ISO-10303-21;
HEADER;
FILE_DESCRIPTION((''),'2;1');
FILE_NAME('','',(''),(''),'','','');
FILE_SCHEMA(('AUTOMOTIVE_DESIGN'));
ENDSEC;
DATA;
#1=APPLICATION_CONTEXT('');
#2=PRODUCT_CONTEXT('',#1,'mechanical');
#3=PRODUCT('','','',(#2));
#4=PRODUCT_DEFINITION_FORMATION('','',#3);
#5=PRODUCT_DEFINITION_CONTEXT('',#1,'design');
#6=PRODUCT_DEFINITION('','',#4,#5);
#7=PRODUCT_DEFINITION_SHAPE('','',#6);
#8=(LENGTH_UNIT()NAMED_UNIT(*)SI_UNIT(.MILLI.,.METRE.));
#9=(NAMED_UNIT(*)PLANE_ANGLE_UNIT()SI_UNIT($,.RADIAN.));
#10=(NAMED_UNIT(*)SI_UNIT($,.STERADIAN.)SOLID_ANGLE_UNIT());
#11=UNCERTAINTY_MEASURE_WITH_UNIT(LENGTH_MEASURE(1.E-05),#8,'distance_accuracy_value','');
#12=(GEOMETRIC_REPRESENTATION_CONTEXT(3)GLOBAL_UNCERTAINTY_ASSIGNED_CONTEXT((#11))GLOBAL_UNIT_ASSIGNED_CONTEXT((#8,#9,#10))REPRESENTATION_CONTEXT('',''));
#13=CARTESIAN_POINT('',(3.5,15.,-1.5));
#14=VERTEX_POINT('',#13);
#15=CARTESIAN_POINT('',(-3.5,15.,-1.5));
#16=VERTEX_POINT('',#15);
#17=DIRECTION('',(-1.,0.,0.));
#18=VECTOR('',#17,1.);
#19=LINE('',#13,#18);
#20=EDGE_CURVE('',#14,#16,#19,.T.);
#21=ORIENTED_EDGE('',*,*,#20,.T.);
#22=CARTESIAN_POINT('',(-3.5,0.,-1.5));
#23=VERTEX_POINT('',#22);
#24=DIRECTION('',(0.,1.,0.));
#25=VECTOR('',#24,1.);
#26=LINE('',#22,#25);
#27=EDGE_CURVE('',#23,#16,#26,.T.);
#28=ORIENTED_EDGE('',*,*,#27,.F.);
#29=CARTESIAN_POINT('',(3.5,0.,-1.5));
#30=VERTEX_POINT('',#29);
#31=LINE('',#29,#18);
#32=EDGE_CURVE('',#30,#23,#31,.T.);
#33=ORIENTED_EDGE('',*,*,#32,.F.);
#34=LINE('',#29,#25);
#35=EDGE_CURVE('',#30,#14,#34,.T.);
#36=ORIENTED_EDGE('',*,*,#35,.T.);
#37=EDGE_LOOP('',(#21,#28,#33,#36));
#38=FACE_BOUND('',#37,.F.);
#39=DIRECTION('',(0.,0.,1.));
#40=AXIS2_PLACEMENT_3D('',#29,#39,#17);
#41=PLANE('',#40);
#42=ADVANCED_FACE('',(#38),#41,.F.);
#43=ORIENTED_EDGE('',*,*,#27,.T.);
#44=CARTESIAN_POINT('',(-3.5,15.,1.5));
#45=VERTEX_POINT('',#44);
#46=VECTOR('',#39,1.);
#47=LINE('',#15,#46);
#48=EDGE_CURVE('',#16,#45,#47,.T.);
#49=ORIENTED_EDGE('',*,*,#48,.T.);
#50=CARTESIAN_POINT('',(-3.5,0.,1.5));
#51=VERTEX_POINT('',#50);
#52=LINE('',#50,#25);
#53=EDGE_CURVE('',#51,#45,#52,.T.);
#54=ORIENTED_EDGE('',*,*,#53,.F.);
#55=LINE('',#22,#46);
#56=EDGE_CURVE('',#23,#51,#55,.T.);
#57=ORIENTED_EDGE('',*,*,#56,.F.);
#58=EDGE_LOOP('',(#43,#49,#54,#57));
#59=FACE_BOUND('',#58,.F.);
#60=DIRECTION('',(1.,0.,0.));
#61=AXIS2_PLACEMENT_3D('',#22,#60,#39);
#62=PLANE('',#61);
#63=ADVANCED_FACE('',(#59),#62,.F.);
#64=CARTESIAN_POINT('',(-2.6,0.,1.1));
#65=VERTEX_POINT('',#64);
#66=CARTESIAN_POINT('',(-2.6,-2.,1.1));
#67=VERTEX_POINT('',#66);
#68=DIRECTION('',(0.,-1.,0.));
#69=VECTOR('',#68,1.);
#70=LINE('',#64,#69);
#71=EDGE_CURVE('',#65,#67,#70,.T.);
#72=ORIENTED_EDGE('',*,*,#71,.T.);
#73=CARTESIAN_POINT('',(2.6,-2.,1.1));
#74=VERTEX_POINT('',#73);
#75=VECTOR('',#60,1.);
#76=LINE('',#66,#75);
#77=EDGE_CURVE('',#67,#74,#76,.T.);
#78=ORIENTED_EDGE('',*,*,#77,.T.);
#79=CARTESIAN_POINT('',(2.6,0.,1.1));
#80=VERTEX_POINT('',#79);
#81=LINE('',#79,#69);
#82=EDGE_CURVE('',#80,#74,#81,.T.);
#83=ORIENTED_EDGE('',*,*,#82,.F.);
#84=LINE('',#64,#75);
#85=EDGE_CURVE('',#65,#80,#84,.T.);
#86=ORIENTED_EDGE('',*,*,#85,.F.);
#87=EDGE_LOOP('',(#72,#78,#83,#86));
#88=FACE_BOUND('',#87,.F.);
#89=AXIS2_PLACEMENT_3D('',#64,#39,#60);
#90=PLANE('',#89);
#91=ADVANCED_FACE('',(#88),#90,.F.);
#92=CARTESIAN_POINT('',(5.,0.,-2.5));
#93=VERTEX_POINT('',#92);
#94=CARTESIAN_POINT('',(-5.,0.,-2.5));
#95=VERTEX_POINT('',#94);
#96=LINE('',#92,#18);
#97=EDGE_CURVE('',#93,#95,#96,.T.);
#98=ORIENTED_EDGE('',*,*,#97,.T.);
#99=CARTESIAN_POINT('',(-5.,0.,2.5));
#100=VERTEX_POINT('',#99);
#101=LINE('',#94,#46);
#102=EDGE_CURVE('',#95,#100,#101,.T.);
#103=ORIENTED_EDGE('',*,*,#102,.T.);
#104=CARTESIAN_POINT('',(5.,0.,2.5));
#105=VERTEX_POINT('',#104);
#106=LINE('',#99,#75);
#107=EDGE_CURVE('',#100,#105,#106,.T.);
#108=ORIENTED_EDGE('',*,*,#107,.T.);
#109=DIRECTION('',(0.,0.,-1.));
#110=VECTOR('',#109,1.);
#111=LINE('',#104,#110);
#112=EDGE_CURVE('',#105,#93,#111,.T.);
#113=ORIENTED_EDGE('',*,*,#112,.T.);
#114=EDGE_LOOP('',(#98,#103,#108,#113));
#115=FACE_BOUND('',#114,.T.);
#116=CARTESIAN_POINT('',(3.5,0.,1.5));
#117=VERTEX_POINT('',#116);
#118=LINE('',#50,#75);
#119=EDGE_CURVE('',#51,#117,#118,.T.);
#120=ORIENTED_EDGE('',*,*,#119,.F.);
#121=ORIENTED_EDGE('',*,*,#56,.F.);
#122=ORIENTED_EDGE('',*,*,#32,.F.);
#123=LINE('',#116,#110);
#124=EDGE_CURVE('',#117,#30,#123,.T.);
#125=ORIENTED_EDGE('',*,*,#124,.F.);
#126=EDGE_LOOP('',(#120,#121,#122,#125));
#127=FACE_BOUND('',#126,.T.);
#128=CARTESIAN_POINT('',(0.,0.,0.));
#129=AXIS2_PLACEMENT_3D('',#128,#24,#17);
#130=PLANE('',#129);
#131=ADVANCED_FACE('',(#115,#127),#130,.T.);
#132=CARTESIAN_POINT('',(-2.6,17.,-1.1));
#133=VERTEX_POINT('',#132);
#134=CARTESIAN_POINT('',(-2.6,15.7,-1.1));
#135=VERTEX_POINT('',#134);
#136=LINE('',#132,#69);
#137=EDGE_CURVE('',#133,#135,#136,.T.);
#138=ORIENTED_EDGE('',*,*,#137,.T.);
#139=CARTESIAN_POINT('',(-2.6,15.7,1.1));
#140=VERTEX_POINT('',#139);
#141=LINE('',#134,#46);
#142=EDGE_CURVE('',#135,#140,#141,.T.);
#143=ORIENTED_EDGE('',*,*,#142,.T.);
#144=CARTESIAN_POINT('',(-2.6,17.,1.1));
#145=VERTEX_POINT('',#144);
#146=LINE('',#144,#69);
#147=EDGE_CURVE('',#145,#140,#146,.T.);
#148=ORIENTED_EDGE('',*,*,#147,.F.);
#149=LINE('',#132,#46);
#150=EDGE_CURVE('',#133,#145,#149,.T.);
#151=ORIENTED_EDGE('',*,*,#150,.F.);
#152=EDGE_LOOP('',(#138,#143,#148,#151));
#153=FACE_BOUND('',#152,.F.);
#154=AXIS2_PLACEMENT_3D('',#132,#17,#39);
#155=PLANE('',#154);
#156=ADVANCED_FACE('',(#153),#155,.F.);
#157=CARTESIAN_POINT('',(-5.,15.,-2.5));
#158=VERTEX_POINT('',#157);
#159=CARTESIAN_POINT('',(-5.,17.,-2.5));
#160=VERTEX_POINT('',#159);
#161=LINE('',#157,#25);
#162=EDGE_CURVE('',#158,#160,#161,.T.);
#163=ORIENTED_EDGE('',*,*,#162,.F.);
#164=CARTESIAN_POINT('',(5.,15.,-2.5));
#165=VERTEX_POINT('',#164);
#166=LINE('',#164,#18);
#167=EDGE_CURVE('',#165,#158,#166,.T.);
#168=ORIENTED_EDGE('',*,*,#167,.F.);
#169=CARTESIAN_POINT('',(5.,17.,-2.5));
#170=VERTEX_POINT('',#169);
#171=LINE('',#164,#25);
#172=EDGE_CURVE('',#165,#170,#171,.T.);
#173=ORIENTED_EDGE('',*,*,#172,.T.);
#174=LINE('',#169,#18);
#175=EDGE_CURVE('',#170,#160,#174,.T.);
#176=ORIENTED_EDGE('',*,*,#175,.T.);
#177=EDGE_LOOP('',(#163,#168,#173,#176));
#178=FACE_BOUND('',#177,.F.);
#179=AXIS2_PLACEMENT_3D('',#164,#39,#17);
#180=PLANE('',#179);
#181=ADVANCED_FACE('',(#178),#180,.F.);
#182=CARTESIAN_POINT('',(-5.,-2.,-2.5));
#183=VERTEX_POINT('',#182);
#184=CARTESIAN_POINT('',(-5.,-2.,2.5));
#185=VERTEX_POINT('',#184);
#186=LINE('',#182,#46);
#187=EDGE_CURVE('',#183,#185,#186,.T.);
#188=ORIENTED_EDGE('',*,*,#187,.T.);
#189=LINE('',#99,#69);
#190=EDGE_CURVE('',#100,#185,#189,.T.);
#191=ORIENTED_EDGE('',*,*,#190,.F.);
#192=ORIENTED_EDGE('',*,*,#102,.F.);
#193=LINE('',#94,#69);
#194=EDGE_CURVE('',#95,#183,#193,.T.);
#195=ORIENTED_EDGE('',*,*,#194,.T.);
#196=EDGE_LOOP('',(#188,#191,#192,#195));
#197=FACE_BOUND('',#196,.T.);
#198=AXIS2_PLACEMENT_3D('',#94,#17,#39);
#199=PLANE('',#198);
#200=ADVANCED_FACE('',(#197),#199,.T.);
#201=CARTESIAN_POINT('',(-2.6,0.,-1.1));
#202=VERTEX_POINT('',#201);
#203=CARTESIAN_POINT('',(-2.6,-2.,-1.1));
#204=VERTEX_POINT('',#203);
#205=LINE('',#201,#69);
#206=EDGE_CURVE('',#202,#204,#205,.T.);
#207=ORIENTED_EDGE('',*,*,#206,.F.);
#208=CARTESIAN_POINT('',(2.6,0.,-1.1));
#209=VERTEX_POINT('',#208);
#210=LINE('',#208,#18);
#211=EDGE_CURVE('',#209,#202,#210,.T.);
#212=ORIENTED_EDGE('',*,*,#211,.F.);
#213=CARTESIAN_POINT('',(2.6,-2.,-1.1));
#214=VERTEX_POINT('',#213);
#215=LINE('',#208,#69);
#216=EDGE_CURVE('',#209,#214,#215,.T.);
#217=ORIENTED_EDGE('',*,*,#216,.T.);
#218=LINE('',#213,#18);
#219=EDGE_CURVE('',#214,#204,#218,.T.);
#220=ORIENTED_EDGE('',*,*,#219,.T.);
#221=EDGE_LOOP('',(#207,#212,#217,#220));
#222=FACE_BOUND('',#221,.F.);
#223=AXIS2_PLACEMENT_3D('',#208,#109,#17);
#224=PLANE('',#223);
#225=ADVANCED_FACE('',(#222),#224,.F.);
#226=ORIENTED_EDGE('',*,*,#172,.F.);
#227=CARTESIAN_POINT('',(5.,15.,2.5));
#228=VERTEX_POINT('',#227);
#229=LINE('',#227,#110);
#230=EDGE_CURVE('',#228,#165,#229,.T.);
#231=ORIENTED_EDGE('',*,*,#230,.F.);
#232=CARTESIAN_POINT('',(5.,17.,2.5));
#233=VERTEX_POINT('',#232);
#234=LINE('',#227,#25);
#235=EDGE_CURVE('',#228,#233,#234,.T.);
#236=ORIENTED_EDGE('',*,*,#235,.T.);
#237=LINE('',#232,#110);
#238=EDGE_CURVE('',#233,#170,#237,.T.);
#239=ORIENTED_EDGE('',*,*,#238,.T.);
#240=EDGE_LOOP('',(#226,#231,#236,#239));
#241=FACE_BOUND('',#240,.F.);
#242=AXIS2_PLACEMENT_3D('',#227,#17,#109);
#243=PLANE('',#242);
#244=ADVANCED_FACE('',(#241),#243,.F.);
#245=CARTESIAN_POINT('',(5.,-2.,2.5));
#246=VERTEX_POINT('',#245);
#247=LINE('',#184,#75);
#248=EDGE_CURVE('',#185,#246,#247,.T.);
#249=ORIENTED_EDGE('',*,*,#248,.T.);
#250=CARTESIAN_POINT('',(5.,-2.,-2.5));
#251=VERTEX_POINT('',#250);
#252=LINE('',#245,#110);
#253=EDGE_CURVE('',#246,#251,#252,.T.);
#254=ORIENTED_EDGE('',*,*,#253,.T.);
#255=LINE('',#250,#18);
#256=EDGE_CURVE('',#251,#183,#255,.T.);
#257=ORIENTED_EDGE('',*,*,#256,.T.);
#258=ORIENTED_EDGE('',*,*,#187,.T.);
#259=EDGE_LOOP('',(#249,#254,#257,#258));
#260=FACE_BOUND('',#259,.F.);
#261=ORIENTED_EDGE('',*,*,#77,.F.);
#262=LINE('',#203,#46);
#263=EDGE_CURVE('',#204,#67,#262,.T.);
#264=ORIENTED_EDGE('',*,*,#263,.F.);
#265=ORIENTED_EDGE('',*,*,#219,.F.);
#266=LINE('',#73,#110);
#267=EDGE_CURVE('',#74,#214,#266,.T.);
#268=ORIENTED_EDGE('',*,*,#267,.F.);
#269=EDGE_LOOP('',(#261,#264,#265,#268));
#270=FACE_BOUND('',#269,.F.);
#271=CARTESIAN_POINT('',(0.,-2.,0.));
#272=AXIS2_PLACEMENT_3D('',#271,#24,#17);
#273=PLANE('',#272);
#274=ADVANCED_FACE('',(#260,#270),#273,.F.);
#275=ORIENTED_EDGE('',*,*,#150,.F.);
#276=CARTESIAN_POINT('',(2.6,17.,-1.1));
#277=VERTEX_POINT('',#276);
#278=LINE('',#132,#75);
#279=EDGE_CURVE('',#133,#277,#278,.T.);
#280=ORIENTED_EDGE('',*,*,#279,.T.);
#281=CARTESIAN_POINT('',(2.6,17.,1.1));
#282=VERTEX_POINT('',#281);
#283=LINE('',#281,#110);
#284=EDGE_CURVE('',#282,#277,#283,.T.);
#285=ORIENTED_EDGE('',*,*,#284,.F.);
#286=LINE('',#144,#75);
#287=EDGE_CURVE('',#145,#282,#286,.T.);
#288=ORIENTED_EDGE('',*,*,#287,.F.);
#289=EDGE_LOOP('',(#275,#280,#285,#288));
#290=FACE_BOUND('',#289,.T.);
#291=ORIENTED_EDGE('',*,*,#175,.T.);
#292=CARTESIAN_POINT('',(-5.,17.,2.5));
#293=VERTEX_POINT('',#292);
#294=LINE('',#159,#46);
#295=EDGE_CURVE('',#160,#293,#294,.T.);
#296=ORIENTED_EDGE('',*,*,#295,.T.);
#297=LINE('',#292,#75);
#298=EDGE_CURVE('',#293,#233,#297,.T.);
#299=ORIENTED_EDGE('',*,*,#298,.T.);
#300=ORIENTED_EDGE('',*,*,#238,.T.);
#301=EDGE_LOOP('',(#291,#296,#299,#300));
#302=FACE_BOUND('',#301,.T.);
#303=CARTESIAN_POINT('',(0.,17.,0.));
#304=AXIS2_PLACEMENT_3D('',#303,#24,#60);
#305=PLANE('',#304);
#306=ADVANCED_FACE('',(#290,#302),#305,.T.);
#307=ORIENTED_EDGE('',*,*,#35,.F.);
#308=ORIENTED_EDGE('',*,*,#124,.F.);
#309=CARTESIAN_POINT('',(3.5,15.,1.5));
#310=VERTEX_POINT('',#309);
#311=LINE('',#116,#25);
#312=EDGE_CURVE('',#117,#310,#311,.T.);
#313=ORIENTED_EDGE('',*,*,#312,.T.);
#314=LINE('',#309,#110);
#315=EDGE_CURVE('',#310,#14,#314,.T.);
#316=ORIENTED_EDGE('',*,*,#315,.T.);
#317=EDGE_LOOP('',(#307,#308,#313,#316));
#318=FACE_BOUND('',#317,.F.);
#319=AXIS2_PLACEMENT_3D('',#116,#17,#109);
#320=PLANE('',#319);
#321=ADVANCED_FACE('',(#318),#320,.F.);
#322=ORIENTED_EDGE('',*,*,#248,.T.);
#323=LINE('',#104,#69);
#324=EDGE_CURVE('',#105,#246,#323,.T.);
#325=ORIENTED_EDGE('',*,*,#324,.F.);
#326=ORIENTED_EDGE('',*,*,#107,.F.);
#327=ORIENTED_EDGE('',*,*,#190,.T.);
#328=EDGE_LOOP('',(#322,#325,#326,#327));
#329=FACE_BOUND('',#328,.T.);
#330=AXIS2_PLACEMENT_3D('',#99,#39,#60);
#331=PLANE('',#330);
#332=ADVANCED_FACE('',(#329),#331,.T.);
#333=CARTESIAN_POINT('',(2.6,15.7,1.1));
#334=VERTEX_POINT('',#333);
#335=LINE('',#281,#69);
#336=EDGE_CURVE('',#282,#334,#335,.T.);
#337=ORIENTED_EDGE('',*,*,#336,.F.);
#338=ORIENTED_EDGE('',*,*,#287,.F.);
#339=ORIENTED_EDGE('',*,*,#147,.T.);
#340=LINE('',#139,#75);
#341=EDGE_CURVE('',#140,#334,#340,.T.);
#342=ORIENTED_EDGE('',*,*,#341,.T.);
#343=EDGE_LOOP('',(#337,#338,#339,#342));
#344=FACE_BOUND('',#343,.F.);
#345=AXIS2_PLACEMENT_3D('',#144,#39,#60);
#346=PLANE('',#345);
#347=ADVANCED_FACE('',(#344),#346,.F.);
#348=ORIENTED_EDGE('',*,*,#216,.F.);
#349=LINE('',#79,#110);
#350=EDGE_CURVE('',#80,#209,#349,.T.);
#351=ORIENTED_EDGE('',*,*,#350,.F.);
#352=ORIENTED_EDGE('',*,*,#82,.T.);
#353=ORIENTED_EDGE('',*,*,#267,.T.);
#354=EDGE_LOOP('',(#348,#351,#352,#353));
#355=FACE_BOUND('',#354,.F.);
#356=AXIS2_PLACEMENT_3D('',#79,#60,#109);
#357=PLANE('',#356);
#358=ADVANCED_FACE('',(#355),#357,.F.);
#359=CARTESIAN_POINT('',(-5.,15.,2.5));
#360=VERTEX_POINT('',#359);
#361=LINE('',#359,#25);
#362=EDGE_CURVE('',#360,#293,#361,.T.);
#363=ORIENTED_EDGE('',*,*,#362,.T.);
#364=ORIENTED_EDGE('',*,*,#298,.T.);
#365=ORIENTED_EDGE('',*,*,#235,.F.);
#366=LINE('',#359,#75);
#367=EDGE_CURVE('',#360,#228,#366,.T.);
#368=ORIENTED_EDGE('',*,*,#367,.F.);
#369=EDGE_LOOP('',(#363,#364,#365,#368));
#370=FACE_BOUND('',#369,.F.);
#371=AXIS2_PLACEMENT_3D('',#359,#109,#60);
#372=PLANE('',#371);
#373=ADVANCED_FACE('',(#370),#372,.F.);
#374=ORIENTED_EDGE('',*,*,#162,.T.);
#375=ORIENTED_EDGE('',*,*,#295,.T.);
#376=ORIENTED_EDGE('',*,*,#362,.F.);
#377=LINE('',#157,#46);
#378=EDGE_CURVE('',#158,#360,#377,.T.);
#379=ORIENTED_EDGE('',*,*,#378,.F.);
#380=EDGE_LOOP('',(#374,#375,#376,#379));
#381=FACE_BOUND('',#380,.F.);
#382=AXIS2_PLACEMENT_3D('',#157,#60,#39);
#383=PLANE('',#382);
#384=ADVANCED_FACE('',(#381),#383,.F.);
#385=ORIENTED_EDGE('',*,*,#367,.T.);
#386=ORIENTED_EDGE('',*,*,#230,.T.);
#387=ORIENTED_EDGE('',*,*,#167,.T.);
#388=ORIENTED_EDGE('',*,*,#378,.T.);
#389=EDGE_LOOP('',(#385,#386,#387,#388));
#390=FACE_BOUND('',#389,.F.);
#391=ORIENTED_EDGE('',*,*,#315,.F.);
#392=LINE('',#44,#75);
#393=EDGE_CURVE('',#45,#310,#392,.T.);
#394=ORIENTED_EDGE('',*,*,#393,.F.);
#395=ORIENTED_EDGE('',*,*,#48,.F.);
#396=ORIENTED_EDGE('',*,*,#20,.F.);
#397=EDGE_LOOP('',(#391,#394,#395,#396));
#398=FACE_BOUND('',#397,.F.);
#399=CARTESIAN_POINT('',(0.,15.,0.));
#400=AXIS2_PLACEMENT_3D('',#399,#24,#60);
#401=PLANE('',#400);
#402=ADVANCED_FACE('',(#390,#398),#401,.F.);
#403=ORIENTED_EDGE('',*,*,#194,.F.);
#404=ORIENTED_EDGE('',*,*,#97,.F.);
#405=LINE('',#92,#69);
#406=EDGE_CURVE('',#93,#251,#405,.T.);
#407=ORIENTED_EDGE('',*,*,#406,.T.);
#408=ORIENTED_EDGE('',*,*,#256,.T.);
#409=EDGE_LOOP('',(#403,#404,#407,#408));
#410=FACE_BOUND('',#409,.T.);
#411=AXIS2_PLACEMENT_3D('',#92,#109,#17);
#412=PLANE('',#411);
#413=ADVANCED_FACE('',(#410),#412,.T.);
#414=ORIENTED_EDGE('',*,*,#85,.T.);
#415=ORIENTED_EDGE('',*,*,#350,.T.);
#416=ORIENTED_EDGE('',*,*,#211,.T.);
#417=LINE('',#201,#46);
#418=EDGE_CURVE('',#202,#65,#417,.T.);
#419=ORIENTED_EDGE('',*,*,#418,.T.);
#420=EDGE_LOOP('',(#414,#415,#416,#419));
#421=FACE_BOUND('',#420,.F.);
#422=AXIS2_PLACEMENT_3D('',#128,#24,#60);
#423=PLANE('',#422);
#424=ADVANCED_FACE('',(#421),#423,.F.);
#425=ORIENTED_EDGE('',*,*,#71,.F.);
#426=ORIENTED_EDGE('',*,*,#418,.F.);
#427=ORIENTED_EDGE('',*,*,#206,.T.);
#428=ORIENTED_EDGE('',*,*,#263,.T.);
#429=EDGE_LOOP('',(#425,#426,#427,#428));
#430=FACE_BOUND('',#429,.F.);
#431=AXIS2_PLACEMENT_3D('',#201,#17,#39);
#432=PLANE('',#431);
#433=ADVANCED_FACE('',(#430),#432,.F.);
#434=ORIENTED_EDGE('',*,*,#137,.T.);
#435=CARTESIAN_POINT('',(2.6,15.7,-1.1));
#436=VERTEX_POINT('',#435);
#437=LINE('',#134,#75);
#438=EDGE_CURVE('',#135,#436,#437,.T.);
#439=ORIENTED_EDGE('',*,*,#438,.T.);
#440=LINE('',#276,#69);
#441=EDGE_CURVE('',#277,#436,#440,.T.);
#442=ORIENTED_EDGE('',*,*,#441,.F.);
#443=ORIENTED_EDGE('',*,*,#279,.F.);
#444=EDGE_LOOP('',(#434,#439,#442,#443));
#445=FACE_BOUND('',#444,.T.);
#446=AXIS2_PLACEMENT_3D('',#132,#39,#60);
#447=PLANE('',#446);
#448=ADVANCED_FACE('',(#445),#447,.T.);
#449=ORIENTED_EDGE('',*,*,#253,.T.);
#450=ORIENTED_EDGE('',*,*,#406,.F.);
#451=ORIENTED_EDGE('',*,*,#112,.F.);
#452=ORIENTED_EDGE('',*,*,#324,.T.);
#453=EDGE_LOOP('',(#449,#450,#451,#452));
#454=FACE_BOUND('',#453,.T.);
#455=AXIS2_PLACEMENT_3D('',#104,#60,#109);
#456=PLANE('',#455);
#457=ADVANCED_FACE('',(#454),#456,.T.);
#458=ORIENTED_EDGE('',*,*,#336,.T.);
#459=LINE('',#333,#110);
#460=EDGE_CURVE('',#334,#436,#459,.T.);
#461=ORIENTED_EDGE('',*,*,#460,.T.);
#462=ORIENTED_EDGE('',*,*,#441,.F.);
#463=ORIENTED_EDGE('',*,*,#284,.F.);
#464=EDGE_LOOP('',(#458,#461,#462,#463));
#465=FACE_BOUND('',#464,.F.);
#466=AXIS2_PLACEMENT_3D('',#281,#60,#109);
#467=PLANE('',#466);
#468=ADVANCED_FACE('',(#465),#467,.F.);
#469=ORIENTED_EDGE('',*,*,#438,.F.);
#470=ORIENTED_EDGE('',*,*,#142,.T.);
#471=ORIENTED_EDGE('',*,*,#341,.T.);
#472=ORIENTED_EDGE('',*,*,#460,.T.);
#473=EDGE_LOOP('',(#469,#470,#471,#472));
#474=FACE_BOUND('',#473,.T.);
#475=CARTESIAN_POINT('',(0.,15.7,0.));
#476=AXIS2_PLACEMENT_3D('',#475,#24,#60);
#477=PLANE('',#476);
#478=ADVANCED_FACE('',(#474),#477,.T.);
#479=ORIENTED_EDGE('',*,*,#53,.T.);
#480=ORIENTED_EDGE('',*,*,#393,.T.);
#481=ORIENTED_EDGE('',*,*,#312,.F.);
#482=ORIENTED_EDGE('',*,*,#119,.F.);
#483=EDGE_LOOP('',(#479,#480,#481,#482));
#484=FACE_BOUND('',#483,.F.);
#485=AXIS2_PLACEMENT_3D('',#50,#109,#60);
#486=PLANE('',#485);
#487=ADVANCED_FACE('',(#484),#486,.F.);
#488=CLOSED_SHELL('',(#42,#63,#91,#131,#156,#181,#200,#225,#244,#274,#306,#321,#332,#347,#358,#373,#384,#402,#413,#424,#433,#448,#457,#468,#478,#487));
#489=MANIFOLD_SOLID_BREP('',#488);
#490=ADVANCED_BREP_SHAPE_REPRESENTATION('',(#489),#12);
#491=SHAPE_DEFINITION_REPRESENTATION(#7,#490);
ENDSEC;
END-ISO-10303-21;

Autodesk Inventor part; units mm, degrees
ref_plane "YZ Plane" through (0, 0, 0) normal (1, 0, 0) x (0, 1, 0)
ref_plane "XZ Plane" through (0, 0, 0) normal (0, 1, 0) x (-1, 0, 0)
ref_plane "XY Plane" through (0, 0, 0) normal (0, 0, 1) x (1, 0, 0)
sketch "草圖7" plane through (0, 0, 0) normal (0, 1, 0) x (-1, 0, 0)
  line L0 (5, 2.5) -> (-5, 2.5)
  line L1 (-5, 2.5) -> (-5, -2.5)
  line L2 (-5, -2.5) -> (5, -2.5)
  line L3 (5, -2.5) -> (5, 2.5)
  line L4 (5, 2.5) -> (-5, -2.5) construction
  line L5 (-5, 2.5) -> (5, -2.5) construction
  line L6 (2.6, 1.1) -> (-2.6, 1.1)
  line L7 (-2.6, 1.1) -> (-2.6, -1.1)
  line L8 (-2.6, -1.1) -> (2.6, -1.1)
  line L9 (2.6, -1.1) -> (2.6, 1.1)
  line L10 (2.6, 1.1) -> (-2.6, -1.1) construction
  line L11 (-2.6, 1.1) -> (2.6, -1.1) construction
  point P0 (0, 0)
  dimension "d18" = 10
  dimension "d19" = 5
  dimension "d20" = 2.2
  dimension "d21" = 5.2
extrude "擠出7" add sketch "草圖7" against normal blind 2
sketch "草圖8" plane through (0, 0, 0) normal (0, 1, 0) x (1, 0, 0)
  line L0 (-3.5, -1.5) -> (3.5, -1.5)
  line L1 (3.5, -1.5) -> (3.5, 1.5)
  line L2 (3.5, 1.5) -> (-3.5, 1.5)
  line L3 (-3.5, 1.5) -> (-3.5, -1.5)
  line L4 (-3.5, -1.5) -> (3.5, 1.5) construction
  line L5 (3.5, -1.5) -> (-3.5, 1.5) construction
  point P0 (0, 0)
  dimension "d24" = 7
  dimension "d25" = 3
extrude "擠出8" add sketch "草圖8" along normal blind 15
sketch "草圖9" plane through (0, 15, 0) normal (0, 1, 0) x (1, 0, 0)
  line L0 (5, -2.5) -> (5, 2.5) projected
  line L1 (-5, -2.5) -> (5, -2.5)
  line L2 (5, -2.5) -> (5, 2.5)
  line L3 (5, 2.5) -> (-5, 2.5)
  line L4 (-5, 2.5) -> (-5, -2.5)
  line L5 (-5, -2.5) -> (5, 2.5) construction
  line L6 (5, -2.5) -> (-5, 2.5) construction
  point P0 (0, 0)
extrude "擠出9" add sketch "草圖9" along normal blind 2
sketch "草圖10" plane through (0, 17, 0) normal (0, 1, 0) x (1, 0, 0)
  line L0 (-2.6, 1.1) -> (2.6, 1.1) projected
  line L1 (-2.6, -1.1) -> (2.6, -1.1)
  line L2 (2.6, -1.1) -> (2.6, 1.1)
  line L3 (2.6, 1.1) -> (-2.6, 1.1)
  line L4 (-2.6, 1.1) -> (-2.6, -1.1)
  line L5 (-2.6, -1.1) -> (2.6, 1.1) construction
  line L6 (2.6, -1.1) -> (-2.6, 1.1) construction
  point P0 (0, 0)
extrude "擠出10" cut sketch "草圖10" against normal blind 1.3
properties part number "差分線圈感應"
